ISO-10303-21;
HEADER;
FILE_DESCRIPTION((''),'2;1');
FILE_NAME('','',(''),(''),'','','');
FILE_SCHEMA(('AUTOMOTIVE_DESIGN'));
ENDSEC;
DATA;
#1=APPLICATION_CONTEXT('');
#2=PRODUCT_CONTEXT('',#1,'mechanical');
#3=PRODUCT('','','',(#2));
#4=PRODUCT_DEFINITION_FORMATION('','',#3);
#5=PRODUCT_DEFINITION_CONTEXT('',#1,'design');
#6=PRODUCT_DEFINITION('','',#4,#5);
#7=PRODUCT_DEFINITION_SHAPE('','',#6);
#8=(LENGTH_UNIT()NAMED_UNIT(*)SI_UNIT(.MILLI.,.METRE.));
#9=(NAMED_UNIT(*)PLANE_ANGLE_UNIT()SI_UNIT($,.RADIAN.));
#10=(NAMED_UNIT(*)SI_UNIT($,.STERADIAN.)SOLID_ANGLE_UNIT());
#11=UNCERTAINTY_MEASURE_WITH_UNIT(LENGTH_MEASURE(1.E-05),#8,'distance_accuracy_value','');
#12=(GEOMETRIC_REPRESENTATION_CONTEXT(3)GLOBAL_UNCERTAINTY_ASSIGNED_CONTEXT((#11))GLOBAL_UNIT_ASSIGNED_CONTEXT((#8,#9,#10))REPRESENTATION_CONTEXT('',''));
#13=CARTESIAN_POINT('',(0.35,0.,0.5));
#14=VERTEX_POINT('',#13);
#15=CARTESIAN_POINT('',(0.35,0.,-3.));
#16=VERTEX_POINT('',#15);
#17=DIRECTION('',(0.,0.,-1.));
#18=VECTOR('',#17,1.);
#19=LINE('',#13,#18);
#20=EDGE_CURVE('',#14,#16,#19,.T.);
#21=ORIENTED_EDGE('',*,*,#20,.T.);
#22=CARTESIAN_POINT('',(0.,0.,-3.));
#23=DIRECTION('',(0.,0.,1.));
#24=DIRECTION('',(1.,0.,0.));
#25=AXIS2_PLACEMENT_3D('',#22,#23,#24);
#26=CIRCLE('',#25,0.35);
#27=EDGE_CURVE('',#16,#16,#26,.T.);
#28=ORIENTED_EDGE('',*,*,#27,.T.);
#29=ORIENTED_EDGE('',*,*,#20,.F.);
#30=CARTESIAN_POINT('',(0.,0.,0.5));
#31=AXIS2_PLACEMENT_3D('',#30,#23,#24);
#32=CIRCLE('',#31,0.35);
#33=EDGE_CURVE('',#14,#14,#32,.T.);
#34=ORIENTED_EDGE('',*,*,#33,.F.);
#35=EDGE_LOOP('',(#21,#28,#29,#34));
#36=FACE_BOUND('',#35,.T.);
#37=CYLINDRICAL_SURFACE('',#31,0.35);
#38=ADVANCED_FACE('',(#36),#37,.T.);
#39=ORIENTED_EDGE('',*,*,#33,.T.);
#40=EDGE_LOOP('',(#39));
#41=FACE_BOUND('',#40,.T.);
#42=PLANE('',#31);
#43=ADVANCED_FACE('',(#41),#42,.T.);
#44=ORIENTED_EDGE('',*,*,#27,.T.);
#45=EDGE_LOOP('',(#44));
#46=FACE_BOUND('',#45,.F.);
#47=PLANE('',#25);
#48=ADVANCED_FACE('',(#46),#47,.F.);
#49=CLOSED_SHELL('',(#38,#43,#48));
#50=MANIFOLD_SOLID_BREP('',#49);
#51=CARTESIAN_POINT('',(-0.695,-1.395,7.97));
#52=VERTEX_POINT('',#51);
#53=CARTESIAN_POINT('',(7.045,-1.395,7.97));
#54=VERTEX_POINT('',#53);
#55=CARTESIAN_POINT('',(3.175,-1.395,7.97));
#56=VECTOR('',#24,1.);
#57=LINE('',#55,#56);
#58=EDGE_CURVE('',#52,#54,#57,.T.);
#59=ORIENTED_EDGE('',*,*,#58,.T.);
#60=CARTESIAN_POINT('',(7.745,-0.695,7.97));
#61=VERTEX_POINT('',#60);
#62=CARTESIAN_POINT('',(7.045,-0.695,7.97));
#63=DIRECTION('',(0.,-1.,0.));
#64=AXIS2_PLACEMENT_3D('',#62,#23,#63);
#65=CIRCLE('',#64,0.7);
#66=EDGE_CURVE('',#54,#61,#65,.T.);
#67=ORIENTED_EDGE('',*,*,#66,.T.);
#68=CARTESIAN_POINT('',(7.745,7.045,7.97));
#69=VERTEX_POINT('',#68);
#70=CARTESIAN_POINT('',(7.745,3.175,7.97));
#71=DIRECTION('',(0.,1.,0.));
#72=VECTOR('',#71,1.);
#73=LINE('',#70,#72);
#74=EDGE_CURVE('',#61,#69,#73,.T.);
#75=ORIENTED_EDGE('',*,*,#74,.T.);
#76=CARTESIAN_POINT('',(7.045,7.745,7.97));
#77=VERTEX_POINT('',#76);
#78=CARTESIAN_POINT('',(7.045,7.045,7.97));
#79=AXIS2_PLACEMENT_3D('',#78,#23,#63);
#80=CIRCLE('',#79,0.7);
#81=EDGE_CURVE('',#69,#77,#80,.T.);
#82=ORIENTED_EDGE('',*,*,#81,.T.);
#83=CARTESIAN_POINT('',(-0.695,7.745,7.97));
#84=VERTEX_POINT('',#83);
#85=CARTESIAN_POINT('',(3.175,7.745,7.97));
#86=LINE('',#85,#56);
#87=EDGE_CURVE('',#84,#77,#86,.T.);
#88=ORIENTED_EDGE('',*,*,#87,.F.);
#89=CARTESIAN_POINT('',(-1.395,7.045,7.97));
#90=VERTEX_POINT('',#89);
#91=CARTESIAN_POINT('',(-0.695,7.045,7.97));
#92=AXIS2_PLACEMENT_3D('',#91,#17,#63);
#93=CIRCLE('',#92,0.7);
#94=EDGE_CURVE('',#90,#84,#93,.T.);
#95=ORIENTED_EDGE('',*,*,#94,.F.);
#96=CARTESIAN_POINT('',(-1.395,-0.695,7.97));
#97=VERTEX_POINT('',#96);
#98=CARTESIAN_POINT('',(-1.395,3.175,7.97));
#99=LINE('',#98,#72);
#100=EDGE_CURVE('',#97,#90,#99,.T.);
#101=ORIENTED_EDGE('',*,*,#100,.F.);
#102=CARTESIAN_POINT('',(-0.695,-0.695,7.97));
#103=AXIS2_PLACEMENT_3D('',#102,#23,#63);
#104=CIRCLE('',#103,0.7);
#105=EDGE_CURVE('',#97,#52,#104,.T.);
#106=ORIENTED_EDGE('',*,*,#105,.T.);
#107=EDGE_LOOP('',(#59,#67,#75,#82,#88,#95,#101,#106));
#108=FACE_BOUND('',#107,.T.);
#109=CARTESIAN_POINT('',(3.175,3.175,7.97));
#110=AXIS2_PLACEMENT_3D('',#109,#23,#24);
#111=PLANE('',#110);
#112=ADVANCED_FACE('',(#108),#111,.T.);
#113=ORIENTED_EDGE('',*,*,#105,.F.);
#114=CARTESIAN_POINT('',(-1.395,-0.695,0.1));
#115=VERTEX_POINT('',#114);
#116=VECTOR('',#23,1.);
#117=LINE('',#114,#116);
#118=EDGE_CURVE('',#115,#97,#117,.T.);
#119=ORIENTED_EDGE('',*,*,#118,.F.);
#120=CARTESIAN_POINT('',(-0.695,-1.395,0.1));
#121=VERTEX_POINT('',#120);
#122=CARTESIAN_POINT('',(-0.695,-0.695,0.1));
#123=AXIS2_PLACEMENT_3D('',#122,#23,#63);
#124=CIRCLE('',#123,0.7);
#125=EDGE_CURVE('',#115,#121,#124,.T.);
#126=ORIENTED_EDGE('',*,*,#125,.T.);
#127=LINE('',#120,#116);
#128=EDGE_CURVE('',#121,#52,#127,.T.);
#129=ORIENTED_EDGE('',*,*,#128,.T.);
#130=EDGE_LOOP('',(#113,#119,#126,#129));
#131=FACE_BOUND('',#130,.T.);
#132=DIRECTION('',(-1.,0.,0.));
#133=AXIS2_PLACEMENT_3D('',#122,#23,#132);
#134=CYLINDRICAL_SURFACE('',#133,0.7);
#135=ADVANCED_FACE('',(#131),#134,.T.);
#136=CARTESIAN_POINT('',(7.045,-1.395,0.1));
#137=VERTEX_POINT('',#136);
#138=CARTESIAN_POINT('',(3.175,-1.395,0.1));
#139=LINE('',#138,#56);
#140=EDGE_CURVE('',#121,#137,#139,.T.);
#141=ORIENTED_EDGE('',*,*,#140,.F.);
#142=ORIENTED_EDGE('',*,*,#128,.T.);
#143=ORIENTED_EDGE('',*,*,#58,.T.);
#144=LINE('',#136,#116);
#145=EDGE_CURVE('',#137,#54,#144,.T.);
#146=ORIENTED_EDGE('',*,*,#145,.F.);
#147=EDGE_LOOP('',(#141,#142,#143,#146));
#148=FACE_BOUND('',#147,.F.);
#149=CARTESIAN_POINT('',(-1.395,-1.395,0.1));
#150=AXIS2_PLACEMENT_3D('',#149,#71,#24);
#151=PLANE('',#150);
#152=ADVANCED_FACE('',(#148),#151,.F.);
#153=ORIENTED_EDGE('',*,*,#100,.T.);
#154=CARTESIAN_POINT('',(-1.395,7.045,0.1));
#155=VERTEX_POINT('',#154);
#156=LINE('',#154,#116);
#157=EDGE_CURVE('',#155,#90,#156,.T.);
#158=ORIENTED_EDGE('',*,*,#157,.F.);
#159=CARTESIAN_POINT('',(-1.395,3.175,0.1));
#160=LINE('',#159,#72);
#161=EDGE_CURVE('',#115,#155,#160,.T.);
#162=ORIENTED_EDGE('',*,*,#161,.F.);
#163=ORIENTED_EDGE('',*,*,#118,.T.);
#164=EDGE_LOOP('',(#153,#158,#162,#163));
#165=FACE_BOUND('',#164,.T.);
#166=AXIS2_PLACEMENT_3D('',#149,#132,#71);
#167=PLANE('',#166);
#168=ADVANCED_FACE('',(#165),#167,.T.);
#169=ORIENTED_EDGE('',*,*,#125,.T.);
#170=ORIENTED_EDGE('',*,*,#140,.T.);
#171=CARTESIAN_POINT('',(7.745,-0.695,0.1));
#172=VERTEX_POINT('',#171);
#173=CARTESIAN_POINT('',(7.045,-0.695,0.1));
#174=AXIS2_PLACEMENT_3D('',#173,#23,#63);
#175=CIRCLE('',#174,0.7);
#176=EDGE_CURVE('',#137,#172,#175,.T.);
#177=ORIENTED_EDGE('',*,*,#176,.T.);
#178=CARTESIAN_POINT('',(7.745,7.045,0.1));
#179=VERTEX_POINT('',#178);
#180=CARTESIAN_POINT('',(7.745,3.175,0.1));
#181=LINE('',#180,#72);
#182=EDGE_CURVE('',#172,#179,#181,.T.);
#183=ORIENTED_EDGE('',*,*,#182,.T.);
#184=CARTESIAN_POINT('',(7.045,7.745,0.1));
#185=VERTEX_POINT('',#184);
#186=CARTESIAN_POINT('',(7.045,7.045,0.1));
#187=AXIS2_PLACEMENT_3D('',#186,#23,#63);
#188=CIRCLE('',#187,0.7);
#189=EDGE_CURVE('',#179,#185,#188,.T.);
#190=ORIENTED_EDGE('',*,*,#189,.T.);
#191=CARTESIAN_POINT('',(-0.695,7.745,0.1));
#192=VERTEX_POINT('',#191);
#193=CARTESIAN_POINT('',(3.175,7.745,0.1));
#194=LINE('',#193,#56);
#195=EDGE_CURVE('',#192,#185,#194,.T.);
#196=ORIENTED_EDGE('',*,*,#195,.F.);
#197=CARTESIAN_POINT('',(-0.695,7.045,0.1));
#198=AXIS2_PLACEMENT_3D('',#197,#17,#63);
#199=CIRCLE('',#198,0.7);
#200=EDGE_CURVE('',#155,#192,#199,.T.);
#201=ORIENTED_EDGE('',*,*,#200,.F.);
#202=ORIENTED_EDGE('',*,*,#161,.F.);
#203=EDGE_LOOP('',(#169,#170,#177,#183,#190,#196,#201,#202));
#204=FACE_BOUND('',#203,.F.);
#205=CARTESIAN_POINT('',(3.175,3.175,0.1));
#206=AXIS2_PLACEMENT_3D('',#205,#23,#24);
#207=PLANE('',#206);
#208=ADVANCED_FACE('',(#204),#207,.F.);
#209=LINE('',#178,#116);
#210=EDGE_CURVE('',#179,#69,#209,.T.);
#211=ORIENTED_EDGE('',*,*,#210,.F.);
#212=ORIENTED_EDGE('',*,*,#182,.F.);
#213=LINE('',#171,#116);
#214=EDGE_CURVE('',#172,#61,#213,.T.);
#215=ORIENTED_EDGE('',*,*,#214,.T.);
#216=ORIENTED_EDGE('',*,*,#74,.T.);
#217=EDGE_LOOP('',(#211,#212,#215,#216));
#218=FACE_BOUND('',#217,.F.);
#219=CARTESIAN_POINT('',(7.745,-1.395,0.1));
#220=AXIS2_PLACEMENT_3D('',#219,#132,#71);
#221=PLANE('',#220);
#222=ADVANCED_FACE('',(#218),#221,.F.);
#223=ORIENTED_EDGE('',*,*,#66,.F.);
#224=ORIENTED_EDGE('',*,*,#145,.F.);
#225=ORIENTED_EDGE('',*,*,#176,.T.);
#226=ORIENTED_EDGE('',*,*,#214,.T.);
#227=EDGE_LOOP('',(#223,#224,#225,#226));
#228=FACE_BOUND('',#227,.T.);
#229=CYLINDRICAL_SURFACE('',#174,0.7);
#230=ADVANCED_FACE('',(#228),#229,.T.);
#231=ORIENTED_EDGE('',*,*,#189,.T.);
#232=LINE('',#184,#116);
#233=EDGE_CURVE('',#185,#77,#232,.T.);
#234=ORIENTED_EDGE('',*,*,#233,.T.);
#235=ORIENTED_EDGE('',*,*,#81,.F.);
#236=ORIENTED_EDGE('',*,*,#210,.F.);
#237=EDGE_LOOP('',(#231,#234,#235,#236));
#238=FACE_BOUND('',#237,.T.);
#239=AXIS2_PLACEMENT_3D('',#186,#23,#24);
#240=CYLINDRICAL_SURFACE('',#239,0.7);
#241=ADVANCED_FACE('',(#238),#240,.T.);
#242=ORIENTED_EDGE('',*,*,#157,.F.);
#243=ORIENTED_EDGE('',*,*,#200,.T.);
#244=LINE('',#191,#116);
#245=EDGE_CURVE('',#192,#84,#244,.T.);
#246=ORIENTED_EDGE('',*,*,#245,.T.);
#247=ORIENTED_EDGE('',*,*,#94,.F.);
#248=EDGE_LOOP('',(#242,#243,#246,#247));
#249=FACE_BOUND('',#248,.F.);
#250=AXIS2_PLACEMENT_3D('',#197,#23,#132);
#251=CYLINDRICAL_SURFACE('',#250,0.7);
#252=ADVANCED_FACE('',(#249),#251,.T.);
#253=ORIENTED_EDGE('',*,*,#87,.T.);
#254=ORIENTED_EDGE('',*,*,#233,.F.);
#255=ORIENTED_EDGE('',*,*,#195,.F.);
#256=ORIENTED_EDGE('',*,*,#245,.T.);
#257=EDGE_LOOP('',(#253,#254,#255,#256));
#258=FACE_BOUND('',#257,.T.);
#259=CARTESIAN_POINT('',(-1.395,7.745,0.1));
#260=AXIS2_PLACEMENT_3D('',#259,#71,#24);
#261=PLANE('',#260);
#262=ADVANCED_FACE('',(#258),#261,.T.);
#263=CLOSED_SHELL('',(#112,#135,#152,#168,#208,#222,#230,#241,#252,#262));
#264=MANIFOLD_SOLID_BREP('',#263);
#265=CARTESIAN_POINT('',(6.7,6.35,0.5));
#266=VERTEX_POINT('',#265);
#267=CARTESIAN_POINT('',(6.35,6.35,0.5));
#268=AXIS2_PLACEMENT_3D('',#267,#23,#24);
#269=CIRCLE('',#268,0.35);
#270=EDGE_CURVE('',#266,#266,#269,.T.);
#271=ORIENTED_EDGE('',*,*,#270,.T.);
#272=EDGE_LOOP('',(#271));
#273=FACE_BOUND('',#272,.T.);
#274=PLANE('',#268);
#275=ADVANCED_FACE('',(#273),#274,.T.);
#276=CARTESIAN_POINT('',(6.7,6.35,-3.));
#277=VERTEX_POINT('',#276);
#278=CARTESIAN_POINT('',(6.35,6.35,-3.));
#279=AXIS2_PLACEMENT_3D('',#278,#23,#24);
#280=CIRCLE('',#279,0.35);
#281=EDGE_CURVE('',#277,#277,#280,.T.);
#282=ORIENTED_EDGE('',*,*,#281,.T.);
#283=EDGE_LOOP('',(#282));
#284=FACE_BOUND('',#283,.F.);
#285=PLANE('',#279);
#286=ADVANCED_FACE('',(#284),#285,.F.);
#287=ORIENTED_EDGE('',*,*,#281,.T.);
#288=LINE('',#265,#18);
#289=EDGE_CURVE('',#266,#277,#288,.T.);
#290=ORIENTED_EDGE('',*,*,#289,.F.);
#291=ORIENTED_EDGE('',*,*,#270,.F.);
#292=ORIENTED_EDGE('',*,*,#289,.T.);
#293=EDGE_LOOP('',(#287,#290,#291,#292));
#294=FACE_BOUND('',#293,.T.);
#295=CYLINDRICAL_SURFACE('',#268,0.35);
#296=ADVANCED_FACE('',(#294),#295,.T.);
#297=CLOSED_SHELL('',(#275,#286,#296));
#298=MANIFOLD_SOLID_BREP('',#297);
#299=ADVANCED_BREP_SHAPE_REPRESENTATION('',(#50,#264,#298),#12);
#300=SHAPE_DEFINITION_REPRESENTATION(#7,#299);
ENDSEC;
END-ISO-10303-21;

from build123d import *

# Parameters (mm, degrees)
SKETCH001_R  = 0.35
PAD001_DEPTH = 3.5
SKETCH_W     = 9.14
SKETCH_H     = 9.14
PAD_DEPTH    = 7.87
FILLET_R     = 0.7


with BuildPart() as pad001:
    # Sketch001 → Pad001 (new body)
    with BuildSketch(Plane.XY.offset(0.5)):
        Circle(SKETCH001_R)
        with Locations((6.35, 6.35)):
            Circle(SKETCH001_R)
    extrude(amount=-PAD001_DEPTH)


with BuildPart() as fillet_body:
    # Sketch → Pad (new body)
    with BuildSketch(Plane.XY.offset(0.1)):
        with Locations((3.175, 3.175)):
            Rectangle(SKETCH_W, SKETCH_H)
    extrude(amount=PAD_DEPTH)

    # Fillet
    fillet_edges = [fillet_body.edges().sort_by_distance(p)[0] for p in [
        (7.745, -1.395, 4.035),
        (7.745, 7.745, 4.035),
        (-1.395, -1.395, 4.035),
        (-1.395, 7.745, 4.035),
    ]]
    fillet(fillet_edges, radius=FILLET_R)


solid = Compound([pad001.part, fillet_body.part])
